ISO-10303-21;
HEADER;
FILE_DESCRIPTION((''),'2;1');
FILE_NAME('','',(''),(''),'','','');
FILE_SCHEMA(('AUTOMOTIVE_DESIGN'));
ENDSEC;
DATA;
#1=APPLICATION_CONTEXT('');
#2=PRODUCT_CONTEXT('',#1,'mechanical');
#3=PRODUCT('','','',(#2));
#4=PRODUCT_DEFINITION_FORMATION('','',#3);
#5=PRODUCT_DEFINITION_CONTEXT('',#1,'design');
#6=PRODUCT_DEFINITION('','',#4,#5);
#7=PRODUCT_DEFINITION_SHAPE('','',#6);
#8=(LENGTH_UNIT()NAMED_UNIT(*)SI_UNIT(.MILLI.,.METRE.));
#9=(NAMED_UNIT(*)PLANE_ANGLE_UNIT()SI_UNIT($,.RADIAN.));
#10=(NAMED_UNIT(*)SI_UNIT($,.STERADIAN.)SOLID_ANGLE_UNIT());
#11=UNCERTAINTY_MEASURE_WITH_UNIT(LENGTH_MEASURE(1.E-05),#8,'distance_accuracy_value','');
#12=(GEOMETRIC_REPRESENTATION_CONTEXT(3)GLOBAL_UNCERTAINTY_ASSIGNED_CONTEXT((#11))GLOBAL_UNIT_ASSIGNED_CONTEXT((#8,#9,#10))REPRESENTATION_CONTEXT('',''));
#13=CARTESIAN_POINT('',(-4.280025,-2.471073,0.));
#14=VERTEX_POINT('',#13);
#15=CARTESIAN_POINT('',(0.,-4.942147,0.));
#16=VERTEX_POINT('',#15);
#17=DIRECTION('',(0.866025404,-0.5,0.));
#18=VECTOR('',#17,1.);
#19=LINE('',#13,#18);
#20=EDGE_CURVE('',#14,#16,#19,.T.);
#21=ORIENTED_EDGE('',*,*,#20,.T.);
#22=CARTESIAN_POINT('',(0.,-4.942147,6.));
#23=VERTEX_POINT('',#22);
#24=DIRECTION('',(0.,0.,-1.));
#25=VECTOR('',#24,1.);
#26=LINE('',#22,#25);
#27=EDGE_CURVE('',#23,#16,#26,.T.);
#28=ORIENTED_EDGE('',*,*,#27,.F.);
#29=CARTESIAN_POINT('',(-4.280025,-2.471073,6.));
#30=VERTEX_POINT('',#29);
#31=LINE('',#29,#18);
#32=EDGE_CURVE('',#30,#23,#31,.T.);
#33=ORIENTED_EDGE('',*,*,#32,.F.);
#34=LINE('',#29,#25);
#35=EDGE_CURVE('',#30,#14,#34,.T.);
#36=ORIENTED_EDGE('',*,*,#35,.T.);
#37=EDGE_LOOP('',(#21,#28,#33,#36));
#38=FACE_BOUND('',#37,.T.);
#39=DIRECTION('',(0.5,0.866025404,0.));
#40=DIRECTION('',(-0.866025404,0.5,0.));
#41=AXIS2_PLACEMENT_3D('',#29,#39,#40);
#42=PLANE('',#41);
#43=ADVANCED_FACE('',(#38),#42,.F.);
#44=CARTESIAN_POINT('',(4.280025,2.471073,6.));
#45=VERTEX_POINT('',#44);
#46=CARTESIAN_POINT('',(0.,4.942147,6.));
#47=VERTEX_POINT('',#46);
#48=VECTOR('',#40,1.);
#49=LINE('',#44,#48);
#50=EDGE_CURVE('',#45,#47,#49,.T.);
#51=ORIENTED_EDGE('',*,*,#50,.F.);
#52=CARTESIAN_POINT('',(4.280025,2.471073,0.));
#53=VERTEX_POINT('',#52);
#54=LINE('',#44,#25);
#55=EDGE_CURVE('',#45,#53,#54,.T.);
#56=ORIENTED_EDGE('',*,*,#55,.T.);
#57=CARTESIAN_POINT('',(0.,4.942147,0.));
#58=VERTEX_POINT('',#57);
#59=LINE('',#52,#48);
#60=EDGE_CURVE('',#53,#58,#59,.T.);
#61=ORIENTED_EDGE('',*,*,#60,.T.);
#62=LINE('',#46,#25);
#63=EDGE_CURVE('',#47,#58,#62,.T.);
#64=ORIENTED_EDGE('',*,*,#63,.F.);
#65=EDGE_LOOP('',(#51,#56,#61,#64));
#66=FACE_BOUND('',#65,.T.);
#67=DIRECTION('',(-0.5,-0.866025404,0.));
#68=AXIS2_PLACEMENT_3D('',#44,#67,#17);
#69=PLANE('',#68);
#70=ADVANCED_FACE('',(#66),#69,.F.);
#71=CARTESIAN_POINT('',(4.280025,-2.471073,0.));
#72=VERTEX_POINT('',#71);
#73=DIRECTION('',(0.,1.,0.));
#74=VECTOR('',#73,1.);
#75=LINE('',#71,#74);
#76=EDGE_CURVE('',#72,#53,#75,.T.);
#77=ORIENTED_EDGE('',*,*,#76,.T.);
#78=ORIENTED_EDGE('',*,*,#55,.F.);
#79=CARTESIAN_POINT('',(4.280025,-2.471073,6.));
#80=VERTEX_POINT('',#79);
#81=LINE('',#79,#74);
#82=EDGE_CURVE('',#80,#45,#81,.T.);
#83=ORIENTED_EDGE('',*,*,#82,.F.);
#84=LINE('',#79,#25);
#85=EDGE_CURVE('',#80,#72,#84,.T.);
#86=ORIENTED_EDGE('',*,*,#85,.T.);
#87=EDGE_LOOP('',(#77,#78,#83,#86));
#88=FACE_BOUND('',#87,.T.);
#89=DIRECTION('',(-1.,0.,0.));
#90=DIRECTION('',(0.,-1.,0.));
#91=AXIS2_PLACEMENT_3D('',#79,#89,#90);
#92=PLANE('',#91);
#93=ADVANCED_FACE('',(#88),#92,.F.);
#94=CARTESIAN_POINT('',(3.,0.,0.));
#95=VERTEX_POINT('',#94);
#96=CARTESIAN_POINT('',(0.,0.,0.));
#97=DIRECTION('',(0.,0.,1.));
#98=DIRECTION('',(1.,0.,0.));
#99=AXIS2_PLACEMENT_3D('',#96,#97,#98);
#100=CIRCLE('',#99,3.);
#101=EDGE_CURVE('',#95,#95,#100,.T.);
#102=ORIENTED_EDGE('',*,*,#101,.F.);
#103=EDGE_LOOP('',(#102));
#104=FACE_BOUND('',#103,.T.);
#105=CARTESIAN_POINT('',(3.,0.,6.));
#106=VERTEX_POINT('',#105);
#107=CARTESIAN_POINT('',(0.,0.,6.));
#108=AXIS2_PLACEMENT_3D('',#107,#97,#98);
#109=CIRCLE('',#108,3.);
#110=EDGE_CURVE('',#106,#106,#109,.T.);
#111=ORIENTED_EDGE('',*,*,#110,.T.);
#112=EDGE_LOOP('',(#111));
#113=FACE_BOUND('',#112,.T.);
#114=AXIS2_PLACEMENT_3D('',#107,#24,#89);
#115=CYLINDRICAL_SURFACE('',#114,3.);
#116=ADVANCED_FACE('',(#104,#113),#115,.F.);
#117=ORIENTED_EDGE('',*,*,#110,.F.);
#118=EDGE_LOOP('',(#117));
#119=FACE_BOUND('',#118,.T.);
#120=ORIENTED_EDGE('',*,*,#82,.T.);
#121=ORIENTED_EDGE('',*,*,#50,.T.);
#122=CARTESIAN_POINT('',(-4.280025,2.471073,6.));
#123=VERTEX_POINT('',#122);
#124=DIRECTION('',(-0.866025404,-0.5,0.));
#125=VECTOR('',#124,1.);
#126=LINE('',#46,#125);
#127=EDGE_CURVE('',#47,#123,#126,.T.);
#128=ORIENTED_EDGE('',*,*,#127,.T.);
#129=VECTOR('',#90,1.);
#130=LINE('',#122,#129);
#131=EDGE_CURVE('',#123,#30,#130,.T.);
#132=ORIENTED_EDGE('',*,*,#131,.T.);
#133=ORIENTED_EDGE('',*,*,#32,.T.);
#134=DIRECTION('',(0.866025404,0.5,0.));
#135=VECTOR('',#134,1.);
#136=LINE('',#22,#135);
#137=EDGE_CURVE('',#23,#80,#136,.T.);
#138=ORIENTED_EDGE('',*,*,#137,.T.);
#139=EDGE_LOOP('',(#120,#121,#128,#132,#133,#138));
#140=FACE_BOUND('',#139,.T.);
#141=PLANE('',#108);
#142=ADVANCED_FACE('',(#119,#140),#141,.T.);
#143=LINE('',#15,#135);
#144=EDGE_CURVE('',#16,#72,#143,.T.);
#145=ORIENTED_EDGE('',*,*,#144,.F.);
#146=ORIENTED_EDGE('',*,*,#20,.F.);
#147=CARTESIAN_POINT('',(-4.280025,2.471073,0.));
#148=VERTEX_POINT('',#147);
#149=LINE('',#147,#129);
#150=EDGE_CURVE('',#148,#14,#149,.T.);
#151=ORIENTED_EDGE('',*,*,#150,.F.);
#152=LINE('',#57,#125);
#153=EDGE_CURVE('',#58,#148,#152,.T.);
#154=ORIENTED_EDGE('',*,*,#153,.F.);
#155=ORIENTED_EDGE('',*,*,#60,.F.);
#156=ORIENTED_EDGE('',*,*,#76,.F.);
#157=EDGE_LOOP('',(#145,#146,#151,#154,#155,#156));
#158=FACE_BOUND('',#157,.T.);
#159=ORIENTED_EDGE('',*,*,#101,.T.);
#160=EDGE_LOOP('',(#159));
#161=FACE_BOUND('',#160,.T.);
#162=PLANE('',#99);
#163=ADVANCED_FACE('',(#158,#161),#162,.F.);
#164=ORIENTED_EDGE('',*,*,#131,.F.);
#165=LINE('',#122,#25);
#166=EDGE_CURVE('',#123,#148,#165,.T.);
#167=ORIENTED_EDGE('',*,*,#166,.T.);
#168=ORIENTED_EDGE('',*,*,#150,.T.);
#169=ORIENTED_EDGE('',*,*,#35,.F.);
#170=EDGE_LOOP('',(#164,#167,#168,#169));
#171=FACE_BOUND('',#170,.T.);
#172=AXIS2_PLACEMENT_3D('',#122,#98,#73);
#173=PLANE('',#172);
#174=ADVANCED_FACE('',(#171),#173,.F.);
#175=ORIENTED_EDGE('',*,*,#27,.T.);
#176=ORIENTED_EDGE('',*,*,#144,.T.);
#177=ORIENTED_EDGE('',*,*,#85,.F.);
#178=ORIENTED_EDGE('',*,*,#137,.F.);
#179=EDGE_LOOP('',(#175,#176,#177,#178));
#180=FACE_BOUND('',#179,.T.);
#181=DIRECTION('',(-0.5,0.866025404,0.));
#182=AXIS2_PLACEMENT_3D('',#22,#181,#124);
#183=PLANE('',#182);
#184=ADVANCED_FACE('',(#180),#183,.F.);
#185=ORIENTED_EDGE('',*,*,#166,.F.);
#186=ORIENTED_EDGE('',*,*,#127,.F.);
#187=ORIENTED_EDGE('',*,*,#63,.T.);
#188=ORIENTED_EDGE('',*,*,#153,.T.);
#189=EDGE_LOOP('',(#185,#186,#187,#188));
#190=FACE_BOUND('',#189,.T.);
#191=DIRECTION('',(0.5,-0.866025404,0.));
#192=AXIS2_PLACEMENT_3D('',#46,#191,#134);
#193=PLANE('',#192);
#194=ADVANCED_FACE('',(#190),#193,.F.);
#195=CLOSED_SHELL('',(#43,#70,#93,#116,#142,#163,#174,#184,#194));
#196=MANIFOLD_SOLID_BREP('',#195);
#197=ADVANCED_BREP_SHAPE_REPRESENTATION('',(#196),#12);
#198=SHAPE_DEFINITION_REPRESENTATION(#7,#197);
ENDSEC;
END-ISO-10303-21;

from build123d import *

# Parameters (mm, degrees)
SKETCH_1_R      = 3
EXTRUDE_1_DEPTH = 6


with BuildPart() as part:
    # 草图1 → 凸台-拉伸1 (new body)
    with BuildSketch(Plane.XY):
        Polygon((0, -4.942146607), (4.280024511, -2.471073303), (4.280024511, 2.471073303), (0, 4.942146607), (-4.280024511, 2.471073303), (-4.280024511, -2.471073303), align=None)
        Circle(SKETCH_1_R, mode=Mode.SUBTRACT)
    extrude(amount=EXTRUDE_1_DEPTH)


solid = part.part
